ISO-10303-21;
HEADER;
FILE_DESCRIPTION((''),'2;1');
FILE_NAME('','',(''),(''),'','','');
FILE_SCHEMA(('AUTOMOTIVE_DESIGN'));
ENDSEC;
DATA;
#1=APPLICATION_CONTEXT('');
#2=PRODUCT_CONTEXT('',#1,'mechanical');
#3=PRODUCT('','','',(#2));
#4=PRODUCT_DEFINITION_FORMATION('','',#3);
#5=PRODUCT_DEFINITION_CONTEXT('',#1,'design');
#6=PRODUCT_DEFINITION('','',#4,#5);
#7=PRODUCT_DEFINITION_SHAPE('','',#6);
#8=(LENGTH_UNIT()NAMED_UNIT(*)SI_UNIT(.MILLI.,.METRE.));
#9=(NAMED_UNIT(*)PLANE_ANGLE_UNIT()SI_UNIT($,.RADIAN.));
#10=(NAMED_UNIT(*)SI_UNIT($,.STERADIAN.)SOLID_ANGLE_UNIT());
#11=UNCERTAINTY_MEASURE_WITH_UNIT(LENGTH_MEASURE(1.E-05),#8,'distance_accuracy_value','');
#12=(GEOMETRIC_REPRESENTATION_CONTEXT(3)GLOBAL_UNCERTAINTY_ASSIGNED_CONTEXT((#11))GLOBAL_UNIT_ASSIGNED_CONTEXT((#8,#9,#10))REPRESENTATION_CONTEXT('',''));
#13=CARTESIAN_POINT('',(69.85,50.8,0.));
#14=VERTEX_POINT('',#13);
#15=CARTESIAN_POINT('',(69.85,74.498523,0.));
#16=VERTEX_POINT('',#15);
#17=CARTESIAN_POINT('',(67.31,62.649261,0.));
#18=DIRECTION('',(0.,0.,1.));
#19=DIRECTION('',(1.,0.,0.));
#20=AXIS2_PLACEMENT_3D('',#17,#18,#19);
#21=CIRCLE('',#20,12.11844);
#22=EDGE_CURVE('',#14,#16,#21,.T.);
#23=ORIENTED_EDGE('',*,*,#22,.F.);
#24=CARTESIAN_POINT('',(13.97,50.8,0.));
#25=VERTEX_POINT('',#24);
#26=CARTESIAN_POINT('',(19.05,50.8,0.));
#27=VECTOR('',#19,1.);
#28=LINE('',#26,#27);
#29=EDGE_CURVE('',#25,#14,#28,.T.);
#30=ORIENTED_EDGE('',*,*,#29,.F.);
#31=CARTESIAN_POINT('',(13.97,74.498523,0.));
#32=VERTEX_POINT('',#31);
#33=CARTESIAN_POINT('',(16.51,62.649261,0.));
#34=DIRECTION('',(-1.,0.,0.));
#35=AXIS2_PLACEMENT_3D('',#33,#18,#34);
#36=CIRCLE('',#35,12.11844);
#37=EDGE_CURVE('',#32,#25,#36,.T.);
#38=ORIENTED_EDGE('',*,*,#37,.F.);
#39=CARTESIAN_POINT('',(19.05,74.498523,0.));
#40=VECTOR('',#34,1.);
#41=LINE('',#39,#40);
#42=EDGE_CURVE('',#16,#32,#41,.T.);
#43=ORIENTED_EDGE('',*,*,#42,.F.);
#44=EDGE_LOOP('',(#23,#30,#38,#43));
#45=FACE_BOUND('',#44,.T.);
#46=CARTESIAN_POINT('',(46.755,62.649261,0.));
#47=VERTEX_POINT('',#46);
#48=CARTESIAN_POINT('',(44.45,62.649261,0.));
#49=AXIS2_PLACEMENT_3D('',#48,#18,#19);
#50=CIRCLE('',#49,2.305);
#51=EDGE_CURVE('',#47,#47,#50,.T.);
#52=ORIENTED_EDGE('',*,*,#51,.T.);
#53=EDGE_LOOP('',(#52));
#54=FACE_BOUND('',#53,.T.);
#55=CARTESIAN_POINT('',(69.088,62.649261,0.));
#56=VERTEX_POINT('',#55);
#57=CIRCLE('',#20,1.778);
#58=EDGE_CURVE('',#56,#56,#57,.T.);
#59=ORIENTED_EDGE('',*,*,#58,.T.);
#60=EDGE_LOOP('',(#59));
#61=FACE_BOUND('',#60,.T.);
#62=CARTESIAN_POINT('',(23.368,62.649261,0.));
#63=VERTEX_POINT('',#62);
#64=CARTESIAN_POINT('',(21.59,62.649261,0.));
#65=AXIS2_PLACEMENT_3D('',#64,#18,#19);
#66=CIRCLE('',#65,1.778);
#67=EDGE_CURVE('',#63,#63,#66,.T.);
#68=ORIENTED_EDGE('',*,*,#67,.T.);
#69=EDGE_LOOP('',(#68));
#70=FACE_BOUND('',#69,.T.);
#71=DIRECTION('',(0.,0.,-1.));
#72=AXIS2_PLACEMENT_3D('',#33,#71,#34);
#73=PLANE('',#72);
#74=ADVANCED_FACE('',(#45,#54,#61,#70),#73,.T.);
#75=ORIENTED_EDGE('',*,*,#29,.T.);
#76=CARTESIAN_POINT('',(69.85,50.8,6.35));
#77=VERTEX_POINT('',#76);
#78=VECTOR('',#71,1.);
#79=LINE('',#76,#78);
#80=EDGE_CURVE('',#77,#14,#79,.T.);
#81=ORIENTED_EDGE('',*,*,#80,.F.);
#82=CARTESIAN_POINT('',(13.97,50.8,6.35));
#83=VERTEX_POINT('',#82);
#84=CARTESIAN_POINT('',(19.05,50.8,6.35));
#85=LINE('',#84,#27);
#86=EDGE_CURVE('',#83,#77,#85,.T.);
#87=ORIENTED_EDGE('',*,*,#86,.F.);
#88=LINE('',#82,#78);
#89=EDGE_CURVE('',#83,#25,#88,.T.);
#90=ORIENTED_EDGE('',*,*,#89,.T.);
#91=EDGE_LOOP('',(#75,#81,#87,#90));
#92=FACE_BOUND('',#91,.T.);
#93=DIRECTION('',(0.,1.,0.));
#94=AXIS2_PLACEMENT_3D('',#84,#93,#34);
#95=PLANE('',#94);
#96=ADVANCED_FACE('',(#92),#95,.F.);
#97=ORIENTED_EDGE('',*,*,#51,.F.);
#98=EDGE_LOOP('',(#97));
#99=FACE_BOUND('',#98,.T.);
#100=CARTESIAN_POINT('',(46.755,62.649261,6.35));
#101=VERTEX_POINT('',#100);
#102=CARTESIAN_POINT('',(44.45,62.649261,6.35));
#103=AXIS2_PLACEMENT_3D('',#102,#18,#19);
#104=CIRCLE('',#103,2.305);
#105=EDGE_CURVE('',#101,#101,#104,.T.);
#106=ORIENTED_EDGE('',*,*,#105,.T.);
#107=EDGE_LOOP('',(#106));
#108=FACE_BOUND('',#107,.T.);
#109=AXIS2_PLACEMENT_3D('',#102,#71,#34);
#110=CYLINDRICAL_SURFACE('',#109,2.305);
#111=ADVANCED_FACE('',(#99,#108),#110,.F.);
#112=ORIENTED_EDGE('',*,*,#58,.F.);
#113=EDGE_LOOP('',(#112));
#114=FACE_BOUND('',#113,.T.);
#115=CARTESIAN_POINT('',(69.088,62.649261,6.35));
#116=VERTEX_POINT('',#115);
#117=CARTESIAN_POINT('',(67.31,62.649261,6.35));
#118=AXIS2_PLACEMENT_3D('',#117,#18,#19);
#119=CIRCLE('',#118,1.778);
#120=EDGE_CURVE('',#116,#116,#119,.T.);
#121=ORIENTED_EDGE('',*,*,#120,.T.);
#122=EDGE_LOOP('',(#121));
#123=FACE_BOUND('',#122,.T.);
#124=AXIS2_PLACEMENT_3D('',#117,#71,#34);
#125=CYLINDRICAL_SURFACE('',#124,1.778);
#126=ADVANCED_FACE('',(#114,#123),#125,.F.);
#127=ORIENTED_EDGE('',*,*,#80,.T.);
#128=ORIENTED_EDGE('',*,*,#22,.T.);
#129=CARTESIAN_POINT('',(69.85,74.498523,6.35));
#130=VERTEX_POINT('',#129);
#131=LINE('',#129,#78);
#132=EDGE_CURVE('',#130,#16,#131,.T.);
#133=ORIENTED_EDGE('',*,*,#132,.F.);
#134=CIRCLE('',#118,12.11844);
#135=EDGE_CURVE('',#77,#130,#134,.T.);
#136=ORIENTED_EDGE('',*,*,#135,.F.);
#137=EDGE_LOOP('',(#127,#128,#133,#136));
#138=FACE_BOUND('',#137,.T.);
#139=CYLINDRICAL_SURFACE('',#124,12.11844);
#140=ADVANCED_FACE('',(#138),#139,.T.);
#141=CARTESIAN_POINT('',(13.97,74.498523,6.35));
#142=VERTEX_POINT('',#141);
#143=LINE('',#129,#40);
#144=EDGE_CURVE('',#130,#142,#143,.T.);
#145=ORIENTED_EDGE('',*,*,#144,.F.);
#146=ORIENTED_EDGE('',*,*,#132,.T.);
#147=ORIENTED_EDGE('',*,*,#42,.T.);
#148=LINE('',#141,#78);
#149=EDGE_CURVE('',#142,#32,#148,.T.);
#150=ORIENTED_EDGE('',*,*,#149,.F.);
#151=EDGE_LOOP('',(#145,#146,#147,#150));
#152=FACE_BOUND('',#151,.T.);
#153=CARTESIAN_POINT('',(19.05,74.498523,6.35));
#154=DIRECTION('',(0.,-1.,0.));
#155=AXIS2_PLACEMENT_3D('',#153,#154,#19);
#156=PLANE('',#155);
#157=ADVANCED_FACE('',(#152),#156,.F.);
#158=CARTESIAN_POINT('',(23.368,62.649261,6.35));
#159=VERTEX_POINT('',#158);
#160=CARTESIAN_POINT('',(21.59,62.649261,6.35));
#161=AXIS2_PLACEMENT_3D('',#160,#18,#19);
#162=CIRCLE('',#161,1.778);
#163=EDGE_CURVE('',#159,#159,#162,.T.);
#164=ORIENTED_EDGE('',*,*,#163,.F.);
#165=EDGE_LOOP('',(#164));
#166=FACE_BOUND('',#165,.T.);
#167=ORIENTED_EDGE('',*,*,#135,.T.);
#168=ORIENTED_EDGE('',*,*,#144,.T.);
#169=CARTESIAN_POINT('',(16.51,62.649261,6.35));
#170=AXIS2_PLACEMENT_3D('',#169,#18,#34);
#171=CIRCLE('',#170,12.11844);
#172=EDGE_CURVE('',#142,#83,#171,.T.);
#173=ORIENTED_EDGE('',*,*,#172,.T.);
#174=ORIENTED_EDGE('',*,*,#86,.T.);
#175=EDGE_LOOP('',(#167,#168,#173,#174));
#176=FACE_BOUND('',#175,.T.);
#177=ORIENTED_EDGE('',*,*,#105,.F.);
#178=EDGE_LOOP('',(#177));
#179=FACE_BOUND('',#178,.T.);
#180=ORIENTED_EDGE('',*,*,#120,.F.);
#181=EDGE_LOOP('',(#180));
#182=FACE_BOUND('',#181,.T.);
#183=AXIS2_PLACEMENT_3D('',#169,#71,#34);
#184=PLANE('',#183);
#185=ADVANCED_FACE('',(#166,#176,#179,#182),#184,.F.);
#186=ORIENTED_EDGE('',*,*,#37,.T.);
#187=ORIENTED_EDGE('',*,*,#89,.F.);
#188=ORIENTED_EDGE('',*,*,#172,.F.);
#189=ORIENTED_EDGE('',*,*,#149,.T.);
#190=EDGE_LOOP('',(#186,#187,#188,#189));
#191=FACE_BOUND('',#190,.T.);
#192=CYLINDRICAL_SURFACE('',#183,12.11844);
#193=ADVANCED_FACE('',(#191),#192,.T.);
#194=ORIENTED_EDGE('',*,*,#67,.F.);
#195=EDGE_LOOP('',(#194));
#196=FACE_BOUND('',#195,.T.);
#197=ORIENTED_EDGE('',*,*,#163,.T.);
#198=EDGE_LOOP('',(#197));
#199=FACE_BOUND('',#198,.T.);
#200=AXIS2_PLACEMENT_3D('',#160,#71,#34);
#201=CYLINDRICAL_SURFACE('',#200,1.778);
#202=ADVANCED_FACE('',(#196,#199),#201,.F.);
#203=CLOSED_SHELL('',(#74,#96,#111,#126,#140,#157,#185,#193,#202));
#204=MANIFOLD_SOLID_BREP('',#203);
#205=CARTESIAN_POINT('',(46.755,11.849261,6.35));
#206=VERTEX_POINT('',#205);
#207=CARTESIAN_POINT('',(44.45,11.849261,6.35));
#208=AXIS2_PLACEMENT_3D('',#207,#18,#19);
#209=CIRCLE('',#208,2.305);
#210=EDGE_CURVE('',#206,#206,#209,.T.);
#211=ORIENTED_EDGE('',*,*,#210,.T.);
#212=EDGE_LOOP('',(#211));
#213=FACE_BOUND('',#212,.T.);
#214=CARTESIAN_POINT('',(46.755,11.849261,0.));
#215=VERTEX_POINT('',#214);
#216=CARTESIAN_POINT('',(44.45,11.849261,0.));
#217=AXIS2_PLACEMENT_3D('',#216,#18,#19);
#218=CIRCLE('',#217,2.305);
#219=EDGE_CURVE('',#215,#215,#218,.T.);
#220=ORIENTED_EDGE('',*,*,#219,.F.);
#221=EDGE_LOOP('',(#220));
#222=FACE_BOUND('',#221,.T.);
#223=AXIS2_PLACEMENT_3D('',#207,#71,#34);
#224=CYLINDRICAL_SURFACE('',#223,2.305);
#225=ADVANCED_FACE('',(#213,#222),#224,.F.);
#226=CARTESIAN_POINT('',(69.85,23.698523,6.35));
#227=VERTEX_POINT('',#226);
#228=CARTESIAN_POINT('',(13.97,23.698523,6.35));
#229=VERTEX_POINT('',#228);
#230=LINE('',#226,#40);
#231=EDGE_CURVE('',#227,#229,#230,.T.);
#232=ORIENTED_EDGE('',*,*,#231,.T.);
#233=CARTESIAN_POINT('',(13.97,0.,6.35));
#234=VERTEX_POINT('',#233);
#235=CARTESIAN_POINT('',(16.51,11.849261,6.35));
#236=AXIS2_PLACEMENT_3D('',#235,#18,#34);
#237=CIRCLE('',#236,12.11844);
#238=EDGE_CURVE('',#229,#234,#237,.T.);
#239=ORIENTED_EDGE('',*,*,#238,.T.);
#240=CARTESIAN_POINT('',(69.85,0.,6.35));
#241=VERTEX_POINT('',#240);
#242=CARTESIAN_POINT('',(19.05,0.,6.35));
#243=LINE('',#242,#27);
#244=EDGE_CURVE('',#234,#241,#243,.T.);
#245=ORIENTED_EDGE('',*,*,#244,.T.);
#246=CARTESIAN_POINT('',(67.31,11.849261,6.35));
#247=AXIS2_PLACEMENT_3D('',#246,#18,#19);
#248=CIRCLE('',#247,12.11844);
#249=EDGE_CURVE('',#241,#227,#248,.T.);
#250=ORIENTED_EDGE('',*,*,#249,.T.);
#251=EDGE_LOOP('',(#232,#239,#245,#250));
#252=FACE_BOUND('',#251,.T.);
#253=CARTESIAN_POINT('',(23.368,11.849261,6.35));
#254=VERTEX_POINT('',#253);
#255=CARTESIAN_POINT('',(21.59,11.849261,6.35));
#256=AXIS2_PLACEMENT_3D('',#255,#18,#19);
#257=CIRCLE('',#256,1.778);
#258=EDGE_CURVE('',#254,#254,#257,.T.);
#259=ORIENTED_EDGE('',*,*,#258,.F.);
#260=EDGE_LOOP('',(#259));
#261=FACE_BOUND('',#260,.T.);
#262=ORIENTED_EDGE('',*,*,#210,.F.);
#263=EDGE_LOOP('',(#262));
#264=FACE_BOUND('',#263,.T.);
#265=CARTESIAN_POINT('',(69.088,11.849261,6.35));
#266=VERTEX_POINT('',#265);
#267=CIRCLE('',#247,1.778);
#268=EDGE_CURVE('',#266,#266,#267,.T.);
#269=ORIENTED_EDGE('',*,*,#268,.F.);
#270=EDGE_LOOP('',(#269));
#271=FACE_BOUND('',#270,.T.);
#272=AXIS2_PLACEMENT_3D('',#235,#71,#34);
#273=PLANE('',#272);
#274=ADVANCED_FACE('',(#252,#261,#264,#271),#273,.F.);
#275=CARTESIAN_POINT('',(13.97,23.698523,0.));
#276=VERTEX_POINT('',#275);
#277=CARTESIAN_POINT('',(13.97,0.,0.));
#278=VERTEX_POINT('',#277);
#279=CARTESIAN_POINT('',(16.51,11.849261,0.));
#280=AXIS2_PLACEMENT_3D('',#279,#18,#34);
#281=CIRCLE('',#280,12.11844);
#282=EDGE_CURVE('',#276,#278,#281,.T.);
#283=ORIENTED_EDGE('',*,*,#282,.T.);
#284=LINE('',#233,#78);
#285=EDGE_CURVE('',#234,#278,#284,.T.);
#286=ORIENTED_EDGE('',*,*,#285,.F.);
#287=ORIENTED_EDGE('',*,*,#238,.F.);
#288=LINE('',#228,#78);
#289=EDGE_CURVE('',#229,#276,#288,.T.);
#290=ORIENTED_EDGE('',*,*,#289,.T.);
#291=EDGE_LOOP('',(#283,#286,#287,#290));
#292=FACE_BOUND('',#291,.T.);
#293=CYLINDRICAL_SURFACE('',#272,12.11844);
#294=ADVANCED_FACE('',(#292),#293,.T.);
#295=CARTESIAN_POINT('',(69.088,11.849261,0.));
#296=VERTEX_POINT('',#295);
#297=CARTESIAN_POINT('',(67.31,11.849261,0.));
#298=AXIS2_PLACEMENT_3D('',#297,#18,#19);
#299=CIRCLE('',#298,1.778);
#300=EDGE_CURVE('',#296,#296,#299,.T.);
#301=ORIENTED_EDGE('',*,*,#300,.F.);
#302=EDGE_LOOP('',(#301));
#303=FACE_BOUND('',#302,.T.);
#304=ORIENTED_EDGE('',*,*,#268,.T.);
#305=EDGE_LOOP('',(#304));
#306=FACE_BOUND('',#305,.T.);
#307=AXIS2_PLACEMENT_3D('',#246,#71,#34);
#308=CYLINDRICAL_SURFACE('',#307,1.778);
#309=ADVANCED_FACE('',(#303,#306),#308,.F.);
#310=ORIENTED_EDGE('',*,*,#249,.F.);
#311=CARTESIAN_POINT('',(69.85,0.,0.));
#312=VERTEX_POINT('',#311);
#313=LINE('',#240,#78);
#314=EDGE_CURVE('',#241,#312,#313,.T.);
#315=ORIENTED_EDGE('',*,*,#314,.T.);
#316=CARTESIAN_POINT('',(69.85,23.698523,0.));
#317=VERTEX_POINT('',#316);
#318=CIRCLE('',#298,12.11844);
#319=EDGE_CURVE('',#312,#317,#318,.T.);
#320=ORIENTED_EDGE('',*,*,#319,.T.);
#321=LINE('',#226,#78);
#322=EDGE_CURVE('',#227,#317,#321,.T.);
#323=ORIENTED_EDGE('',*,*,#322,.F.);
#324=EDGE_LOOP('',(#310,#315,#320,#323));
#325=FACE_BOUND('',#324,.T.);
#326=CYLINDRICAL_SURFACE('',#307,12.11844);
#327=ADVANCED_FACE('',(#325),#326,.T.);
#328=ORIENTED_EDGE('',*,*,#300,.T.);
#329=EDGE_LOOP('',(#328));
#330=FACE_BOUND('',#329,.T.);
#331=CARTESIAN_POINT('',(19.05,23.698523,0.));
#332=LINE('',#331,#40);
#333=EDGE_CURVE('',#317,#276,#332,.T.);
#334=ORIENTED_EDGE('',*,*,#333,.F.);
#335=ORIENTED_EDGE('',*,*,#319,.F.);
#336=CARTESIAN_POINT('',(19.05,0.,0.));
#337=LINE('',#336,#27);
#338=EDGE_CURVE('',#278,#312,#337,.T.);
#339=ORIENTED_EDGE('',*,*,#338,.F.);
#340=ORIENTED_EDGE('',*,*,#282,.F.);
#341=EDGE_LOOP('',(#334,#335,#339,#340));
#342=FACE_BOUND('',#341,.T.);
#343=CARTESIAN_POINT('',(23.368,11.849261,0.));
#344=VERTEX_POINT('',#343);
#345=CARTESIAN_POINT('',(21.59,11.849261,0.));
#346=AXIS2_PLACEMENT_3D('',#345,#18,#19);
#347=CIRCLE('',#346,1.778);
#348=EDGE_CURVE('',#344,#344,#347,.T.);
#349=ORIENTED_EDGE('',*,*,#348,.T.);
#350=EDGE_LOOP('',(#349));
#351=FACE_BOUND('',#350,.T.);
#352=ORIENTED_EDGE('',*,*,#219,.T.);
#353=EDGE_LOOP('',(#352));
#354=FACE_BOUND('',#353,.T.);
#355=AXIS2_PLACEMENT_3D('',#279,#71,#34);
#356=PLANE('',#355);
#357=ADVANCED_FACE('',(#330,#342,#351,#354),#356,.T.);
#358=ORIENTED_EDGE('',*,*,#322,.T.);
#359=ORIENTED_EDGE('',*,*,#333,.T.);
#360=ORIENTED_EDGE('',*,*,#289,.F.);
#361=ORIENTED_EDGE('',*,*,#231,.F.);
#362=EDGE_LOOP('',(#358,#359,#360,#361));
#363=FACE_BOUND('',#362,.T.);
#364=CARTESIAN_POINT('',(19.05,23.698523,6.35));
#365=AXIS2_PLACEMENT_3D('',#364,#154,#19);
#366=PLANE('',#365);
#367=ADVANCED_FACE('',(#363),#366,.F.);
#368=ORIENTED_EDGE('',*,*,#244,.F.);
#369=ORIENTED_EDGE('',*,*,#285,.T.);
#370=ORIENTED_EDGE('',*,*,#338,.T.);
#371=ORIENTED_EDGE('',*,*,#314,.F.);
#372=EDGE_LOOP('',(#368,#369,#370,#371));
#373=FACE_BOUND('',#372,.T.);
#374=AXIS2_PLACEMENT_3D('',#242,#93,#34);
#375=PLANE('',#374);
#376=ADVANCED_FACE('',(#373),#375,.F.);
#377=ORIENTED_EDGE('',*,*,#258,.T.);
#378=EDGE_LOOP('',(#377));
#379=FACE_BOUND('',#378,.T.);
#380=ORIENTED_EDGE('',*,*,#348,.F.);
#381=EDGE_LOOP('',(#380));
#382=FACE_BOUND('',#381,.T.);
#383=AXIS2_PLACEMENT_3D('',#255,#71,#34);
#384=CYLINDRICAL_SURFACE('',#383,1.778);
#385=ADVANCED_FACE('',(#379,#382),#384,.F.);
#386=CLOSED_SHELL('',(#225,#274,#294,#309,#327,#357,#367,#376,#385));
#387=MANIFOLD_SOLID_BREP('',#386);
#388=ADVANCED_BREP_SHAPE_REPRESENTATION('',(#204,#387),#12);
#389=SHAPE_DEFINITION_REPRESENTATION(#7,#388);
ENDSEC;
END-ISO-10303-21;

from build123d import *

# Parameters (mm, degrees)
SKETCH9_R           = 2.305
SKETCH9_R_2         = 1.778
BOSS_EXTRUDE1_DEPTH = 6.35


with BuildPart() as part:
    # Sketch9 → Boss-Extrude1 (new body)
    with BuildSketch(Plane.XY):
        with BuildLine():
            Line((19.05, 0), (69.85, 0))
            ThreePointArc((69.85, 0), (79.428440233, 11.849261314), (69.85, 23.698522628))
            Line((69.85, 23.698522628), (19.05, 23.698522628))
            Line((19.05, 23.698522628), (13.97, 23.698522628))
            ThreePointArc((13.97, 23.698522628), (4.391559767, 11.849261314), (13.97, 0))
            Line((13.97, 0), (19.05, 0))
        make_face()
        with Locations((44.45, 11.849261314)):
            Circle(SKETCH9_R, mode=Mode.SUBTRACT)
        with Locations((67.31, 11.849261314)):
            Circle(SKETCH9_R_2, mode=Mode.SUBTRACT)
        with Locations((21.59, 11.849261314)):
            Circle(SKETCH9_R_2, mode=Mode.SUBTRACT)
    extrude(amount=BOSS_EXTRUDE1_DEPTH)


with BuildPart() as body_2:
    # Body-Move/Copy1: copy of part
    add(part.part.moved(Location((0, 50.8, 0))))


solid = Compound([part.part, body_2.part])
